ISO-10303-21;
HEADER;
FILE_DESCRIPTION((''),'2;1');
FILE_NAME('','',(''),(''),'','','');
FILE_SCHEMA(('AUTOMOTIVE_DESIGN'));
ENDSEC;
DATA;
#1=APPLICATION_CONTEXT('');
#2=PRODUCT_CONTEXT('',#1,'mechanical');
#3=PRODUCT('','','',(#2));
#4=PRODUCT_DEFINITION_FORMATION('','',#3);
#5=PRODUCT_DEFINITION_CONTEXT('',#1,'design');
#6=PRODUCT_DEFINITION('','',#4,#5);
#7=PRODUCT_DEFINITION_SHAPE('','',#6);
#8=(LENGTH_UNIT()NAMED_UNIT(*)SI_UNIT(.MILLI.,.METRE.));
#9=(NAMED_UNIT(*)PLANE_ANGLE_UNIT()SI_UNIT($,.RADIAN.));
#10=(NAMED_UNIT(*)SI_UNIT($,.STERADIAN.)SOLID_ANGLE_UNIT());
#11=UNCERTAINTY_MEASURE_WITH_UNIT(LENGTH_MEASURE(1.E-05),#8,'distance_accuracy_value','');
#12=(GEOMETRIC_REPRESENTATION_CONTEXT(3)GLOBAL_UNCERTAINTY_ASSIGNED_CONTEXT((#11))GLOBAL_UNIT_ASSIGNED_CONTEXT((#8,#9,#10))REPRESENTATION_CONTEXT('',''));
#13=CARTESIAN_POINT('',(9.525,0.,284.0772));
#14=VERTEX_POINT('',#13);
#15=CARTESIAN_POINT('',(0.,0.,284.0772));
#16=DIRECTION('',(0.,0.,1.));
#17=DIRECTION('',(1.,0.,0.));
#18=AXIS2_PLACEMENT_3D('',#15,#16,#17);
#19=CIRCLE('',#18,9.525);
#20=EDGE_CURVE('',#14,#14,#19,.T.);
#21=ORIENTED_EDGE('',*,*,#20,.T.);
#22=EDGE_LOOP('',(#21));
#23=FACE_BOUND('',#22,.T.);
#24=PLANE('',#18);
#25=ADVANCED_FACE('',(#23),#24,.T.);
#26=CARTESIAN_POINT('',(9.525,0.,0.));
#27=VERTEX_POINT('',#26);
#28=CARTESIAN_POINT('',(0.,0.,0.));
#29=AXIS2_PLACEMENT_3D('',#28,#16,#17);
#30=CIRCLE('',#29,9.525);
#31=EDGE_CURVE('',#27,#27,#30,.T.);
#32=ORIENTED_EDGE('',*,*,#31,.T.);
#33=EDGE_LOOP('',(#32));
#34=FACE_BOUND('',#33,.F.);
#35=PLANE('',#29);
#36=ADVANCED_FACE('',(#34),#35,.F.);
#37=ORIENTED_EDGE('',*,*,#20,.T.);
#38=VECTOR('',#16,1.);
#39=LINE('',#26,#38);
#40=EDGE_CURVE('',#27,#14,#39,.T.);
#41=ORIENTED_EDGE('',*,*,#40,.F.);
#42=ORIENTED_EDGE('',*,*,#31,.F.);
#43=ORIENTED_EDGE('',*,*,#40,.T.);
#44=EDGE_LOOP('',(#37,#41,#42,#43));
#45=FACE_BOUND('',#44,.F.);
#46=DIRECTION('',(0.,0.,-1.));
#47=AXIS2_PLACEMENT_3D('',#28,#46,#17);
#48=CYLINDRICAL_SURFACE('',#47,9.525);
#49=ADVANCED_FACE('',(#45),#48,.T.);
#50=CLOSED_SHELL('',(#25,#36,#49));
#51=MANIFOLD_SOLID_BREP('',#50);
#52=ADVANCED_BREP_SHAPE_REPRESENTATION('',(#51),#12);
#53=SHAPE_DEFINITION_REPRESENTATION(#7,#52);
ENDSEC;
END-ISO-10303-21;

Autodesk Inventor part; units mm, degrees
ref_plane "YZ Plane" through (0, 0, 0) normal (1, 0, 0) x (0, 1, 0)
ref_plane "Start Plane" through (0, 0, 0) normal (0, 0, 1) x (1, 0, 0)
ref_plane "End Plane" through (0, 0, 284.0772) normal (0, 0, 1) x (1, 0, 0)
sketch "Sketch" plane through (0, 0, 0) normal (0, 0, 1) x (1, 0, 0)
  circle A0 centre (0, 0) radius 9.525
  dimension "d0" = 19.05
extrude "Body" add sketch "Sketch" along normal up to surface (284.0772 mm away) from surface at 0
sketch "Sketch2" plane through (0, 0, 0) normal (0, 0, 1) x (1, 0, 0)
  line L0 (0, 0) -> (10, 0)
ref_plane "Work Plane3" through (0, 0, 0) normal (0, -1, 0) x (1, 0, 0)
sketch "Sketch3" plane through (0, 0, 0) normal (0, -1, 0) x (1, 0, 0)
  line L0 (-2, 0) -> (12, 0) projected
  line L1 (-2, 284.0772) -> (12, 284.0772) projected
  dimension "d7" = 284.0772
equation "\"d0\" = Diam"
equation "\"d1\" = G_L"
equation "\"Diam\" = 19.05"
equation "\"G_L\" = d7"
equation "\"G_OFFSET_START\" = 0"
equation "\"G_OFFSET_END\" = 0"
equation "\"d5\" = G_OFFSET_END + B_L"
equation "\"B_L\" = 284.07717"
properties part number "ANSI/AISC Rolled Steel - 3/4-11.184, RB" material "Steel, Mild"
